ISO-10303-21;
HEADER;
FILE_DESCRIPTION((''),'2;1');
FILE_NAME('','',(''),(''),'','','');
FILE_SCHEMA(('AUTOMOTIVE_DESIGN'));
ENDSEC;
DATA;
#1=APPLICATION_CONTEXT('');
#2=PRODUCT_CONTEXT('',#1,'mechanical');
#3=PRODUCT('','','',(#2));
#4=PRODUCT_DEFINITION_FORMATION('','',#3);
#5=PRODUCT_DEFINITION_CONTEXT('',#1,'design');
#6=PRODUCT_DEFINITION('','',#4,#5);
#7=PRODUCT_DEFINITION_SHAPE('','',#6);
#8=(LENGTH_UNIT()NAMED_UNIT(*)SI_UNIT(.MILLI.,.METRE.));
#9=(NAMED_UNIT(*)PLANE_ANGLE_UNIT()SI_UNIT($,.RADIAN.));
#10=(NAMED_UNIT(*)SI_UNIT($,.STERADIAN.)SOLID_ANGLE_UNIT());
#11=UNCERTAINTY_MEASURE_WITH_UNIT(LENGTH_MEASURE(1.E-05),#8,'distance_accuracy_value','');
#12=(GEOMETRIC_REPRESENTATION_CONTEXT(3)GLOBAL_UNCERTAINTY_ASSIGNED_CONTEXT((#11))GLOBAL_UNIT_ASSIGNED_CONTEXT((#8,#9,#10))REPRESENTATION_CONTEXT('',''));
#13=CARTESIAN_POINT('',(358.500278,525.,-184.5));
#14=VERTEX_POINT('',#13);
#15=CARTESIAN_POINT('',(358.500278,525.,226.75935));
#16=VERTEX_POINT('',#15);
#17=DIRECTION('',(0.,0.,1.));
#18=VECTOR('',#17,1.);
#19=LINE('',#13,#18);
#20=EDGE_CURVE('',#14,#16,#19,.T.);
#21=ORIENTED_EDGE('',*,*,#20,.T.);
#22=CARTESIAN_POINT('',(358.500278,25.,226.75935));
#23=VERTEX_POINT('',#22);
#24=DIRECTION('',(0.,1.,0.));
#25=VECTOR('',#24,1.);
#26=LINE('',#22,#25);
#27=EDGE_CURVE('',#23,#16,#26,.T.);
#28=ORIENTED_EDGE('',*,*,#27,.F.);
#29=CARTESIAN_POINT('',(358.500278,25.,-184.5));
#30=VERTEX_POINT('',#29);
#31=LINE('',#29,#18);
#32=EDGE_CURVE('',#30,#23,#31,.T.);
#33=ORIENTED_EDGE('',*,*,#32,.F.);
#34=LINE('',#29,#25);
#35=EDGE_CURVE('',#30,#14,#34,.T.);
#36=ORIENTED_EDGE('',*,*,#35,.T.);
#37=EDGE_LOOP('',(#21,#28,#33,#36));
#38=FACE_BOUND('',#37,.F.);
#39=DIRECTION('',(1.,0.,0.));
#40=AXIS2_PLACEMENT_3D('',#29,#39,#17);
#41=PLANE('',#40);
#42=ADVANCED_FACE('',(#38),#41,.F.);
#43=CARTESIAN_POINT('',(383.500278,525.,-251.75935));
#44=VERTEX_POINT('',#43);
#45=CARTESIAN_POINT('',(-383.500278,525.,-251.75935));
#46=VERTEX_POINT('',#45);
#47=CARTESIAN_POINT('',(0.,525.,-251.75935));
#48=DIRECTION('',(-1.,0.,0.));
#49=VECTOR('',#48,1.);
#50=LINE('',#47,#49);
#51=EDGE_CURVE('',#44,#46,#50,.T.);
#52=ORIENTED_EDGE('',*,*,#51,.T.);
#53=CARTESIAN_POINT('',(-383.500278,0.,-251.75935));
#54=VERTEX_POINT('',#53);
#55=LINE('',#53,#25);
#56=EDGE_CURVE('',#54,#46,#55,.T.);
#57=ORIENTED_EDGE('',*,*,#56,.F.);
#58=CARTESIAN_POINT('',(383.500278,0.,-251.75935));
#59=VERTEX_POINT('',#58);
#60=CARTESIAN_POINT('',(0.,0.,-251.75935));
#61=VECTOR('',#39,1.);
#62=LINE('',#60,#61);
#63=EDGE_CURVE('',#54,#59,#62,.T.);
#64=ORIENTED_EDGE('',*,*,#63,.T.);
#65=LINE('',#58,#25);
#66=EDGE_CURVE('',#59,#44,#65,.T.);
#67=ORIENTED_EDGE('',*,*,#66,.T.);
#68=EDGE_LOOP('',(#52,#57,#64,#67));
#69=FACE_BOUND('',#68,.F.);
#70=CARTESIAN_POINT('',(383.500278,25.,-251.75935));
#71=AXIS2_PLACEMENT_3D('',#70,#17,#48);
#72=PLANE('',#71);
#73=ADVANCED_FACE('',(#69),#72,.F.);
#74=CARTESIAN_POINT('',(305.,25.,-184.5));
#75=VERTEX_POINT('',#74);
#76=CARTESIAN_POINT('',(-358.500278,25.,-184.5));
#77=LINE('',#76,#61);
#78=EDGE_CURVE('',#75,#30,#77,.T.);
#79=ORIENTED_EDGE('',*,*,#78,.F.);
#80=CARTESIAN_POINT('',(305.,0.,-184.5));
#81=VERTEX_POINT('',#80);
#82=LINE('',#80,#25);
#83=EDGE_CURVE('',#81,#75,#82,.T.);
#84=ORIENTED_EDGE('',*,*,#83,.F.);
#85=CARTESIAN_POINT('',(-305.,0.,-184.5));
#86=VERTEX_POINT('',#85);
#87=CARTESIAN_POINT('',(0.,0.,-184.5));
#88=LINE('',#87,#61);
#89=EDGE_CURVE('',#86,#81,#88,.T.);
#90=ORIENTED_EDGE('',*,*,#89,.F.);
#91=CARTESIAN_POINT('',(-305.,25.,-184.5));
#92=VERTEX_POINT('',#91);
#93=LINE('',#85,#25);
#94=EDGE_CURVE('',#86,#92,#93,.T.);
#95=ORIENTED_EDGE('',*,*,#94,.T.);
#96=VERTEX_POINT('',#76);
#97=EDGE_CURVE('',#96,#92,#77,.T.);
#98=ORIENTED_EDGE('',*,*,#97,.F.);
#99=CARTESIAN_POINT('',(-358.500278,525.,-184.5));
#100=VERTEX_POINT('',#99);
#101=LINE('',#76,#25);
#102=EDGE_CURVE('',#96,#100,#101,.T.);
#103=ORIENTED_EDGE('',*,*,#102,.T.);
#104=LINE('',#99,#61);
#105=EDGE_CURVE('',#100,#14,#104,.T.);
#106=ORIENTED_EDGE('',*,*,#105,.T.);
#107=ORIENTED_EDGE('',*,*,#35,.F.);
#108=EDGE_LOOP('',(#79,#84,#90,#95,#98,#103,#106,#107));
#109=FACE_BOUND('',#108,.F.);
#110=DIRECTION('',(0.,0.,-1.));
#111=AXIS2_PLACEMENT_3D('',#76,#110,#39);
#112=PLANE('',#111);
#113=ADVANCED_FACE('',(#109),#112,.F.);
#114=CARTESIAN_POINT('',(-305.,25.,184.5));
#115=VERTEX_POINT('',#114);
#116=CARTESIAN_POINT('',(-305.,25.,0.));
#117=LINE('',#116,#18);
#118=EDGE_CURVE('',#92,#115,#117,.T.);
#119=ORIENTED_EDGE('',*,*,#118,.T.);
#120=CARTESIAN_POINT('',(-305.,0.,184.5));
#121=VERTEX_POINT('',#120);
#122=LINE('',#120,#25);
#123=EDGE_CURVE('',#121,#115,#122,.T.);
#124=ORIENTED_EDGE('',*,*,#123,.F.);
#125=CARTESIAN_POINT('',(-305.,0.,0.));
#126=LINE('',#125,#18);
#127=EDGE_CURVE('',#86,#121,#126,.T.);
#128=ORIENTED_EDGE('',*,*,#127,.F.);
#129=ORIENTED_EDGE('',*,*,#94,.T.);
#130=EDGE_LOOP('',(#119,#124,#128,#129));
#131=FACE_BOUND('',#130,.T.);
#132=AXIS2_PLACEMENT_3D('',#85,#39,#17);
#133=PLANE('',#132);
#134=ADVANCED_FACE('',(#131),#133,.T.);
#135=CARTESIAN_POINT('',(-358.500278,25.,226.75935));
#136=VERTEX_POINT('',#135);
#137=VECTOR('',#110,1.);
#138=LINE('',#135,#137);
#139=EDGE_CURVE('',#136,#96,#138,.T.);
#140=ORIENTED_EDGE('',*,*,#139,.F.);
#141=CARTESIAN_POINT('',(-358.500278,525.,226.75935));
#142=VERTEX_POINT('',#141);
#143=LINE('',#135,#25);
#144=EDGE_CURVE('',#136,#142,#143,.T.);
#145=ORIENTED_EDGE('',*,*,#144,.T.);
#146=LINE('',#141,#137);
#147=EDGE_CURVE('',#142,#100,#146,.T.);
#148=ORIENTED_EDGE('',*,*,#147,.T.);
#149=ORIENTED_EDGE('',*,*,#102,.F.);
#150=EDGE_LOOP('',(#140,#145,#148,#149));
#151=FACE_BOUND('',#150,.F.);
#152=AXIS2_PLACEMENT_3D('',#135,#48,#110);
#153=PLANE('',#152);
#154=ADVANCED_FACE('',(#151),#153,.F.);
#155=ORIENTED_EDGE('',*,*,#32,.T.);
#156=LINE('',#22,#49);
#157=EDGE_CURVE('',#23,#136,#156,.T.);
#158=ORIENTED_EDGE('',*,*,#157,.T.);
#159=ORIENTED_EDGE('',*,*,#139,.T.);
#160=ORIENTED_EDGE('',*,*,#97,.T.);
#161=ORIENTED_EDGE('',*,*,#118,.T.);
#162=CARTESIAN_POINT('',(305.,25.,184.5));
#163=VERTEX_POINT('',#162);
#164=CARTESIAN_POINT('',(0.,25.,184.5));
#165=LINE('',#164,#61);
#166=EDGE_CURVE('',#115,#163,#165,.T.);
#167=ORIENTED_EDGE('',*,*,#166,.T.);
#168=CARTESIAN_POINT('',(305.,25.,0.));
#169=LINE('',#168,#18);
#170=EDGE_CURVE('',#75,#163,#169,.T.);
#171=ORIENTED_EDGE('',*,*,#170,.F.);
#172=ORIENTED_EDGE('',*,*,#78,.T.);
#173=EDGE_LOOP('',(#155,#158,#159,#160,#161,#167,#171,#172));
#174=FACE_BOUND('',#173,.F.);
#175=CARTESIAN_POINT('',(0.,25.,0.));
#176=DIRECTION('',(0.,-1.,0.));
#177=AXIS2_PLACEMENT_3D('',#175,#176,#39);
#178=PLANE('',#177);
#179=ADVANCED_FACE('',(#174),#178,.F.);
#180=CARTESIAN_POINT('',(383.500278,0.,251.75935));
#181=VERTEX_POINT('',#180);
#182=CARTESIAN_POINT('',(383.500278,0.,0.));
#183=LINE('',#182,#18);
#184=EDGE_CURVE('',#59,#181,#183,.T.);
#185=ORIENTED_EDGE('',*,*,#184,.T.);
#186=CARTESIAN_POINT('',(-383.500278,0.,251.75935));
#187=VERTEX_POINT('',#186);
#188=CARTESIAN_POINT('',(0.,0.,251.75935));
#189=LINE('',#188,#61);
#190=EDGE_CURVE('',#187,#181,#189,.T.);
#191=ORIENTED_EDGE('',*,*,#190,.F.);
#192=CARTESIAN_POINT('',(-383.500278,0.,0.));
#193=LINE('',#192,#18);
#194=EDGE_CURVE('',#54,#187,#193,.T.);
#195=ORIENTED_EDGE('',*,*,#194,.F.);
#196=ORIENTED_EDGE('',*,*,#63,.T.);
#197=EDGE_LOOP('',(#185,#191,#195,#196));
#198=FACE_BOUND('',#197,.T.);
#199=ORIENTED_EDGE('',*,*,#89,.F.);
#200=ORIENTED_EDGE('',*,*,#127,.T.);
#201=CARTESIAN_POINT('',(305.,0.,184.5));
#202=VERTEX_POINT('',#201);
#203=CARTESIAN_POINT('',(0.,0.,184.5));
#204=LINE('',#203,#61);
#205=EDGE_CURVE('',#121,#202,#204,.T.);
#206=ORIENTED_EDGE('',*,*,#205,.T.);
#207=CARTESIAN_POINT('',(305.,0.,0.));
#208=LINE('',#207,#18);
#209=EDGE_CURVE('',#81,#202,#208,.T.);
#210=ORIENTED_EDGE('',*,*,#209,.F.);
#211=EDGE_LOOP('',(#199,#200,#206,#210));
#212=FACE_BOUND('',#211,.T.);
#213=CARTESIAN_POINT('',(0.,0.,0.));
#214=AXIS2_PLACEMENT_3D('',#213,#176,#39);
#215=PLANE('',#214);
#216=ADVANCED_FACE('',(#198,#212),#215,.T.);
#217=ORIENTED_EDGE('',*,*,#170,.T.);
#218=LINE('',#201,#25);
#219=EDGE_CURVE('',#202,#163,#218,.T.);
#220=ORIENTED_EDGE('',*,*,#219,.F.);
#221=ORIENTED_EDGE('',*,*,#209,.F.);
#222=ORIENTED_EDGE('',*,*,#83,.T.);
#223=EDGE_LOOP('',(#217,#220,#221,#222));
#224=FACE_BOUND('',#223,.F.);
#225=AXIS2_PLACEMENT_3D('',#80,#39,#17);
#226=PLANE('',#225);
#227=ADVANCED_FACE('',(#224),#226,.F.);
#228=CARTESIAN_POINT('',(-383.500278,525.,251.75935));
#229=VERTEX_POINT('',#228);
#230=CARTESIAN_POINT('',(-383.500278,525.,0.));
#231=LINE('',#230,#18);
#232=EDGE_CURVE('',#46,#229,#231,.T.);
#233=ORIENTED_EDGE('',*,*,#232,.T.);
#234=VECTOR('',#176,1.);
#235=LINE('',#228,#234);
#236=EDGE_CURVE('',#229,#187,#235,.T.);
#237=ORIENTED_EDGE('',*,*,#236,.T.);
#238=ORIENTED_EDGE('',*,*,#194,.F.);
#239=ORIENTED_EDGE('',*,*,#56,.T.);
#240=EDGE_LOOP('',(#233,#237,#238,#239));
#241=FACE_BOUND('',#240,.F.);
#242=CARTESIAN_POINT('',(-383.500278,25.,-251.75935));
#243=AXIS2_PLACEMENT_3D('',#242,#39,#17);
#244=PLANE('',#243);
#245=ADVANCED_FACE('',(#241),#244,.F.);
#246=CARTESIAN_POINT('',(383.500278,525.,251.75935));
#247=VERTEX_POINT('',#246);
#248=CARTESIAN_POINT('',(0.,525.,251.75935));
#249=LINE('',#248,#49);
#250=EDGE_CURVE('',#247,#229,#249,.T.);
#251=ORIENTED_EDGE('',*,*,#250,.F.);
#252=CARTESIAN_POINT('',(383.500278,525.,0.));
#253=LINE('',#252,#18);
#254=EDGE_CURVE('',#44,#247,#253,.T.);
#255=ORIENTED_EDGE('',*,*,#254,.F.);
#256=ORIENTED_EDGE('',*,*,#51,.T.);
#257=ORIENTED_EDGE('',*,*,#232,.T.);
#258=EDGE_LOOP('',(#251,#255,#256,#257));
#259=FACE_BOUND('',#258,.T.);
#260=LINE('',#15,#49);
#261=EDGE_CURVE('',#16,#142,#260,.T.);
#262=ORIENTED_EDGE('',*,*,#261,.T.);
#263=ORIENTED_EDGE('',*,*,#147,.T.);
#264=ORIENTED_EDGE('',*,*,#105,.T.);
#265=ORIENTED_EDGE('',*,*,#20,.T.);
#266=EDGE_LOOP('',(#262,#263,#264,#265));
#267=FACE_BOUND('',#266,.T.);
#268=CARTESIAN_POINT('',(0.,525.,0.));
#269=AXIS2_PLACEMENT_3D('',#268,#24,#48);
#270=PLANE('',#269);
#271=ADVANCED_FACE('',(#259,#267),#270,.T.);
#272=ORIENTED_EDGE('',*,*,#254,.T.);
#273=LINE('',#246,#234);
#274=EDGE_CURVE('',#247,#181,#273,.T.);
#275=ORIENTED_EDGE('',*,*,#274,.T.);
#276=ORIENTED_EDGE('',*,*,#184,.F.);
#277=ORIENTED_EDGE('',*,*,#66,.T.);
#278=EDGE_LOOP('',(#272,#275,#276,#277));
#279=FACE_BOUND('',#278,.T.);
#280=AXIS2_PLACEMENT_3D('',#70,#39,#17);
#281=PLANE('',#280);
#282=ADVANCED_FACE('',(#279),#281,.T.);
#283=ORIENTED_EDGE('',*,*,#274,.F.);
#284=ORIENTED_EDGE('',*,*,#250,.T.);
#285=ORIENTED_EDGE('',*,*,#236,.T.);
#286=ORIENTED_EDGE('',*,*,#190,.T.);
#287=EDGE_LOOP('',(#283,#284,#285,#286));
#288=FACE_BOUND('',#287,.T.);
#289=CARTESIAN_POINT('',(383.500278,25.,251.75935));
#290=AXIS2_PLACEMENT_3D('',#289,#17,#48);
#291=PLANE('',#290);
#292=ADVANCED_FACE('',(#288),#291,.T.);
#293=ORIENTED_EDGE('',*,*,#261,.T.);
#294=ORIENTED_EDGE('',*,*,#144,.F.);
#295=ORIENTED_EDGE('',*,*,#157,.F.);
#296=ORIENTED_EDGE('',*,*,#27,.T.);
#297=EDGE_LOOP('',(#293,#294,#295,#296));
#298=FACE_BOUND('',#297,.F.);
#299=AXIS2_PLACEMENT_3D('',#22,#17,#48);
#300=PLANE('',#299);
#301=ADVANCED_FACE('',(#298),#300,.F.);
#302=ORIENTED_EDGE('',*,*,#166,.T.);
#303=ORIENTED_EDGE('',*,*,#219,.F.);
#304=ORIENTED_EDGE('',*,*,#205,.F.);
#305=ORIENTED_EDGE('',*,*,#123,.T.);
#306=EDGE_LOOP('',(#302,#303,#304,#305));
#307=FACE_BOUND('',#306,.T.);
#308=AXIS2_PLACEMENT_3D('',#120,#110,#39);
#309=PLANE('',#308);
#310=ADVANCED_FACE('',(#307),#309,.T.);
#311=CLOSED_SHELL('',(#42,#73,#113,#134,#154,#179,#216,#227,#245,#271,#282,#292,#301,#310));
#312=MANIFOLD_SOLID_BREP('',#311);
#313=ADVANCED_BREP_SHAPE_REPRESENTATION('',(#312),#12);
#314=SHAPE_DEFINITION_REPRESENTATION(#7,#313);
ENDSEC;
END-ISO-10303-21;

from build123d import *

# Parameters (mm, degrees)
F0_W     = 767.000556
F0_H     = 503.5187
F0_W_2   = 610
F0_H_2   = 369
F1_DEPTH = 25
F2_W     = 767.000556
F2_H     = 503.5187
F3_DEPTH = 500


with BuildPart() as f1:
    # F0 (on Front) → F1 (new body)
    with BuildSketch(Plane.XZ):
        Rectangle(F0_W, F0_H)
        Rectangle(F0_W_2, F0_H_2, mode=Mode.SUBTRACT)
    extrude(amount=-F1_DEPTH)

    # F2 (on face) → F3 (join)
    with BuildSketch(Plane(origin=(0, 25, 0), x_dir=(-1, 0, 0), z_dir=(0, 1, 0))):
        Rectangle(F2_W, F2_H)
        Polygon((-358.500278, -184.5), (-358.500278, 226.75935), (358.500278, 226.75935), (358.500278, -184.5), (305, -184.5), (-305, -184.5), align=None, mode=Mode.SUBTRACT)
    extrude(amount=F3_DEPTH)


solid = f1.part
